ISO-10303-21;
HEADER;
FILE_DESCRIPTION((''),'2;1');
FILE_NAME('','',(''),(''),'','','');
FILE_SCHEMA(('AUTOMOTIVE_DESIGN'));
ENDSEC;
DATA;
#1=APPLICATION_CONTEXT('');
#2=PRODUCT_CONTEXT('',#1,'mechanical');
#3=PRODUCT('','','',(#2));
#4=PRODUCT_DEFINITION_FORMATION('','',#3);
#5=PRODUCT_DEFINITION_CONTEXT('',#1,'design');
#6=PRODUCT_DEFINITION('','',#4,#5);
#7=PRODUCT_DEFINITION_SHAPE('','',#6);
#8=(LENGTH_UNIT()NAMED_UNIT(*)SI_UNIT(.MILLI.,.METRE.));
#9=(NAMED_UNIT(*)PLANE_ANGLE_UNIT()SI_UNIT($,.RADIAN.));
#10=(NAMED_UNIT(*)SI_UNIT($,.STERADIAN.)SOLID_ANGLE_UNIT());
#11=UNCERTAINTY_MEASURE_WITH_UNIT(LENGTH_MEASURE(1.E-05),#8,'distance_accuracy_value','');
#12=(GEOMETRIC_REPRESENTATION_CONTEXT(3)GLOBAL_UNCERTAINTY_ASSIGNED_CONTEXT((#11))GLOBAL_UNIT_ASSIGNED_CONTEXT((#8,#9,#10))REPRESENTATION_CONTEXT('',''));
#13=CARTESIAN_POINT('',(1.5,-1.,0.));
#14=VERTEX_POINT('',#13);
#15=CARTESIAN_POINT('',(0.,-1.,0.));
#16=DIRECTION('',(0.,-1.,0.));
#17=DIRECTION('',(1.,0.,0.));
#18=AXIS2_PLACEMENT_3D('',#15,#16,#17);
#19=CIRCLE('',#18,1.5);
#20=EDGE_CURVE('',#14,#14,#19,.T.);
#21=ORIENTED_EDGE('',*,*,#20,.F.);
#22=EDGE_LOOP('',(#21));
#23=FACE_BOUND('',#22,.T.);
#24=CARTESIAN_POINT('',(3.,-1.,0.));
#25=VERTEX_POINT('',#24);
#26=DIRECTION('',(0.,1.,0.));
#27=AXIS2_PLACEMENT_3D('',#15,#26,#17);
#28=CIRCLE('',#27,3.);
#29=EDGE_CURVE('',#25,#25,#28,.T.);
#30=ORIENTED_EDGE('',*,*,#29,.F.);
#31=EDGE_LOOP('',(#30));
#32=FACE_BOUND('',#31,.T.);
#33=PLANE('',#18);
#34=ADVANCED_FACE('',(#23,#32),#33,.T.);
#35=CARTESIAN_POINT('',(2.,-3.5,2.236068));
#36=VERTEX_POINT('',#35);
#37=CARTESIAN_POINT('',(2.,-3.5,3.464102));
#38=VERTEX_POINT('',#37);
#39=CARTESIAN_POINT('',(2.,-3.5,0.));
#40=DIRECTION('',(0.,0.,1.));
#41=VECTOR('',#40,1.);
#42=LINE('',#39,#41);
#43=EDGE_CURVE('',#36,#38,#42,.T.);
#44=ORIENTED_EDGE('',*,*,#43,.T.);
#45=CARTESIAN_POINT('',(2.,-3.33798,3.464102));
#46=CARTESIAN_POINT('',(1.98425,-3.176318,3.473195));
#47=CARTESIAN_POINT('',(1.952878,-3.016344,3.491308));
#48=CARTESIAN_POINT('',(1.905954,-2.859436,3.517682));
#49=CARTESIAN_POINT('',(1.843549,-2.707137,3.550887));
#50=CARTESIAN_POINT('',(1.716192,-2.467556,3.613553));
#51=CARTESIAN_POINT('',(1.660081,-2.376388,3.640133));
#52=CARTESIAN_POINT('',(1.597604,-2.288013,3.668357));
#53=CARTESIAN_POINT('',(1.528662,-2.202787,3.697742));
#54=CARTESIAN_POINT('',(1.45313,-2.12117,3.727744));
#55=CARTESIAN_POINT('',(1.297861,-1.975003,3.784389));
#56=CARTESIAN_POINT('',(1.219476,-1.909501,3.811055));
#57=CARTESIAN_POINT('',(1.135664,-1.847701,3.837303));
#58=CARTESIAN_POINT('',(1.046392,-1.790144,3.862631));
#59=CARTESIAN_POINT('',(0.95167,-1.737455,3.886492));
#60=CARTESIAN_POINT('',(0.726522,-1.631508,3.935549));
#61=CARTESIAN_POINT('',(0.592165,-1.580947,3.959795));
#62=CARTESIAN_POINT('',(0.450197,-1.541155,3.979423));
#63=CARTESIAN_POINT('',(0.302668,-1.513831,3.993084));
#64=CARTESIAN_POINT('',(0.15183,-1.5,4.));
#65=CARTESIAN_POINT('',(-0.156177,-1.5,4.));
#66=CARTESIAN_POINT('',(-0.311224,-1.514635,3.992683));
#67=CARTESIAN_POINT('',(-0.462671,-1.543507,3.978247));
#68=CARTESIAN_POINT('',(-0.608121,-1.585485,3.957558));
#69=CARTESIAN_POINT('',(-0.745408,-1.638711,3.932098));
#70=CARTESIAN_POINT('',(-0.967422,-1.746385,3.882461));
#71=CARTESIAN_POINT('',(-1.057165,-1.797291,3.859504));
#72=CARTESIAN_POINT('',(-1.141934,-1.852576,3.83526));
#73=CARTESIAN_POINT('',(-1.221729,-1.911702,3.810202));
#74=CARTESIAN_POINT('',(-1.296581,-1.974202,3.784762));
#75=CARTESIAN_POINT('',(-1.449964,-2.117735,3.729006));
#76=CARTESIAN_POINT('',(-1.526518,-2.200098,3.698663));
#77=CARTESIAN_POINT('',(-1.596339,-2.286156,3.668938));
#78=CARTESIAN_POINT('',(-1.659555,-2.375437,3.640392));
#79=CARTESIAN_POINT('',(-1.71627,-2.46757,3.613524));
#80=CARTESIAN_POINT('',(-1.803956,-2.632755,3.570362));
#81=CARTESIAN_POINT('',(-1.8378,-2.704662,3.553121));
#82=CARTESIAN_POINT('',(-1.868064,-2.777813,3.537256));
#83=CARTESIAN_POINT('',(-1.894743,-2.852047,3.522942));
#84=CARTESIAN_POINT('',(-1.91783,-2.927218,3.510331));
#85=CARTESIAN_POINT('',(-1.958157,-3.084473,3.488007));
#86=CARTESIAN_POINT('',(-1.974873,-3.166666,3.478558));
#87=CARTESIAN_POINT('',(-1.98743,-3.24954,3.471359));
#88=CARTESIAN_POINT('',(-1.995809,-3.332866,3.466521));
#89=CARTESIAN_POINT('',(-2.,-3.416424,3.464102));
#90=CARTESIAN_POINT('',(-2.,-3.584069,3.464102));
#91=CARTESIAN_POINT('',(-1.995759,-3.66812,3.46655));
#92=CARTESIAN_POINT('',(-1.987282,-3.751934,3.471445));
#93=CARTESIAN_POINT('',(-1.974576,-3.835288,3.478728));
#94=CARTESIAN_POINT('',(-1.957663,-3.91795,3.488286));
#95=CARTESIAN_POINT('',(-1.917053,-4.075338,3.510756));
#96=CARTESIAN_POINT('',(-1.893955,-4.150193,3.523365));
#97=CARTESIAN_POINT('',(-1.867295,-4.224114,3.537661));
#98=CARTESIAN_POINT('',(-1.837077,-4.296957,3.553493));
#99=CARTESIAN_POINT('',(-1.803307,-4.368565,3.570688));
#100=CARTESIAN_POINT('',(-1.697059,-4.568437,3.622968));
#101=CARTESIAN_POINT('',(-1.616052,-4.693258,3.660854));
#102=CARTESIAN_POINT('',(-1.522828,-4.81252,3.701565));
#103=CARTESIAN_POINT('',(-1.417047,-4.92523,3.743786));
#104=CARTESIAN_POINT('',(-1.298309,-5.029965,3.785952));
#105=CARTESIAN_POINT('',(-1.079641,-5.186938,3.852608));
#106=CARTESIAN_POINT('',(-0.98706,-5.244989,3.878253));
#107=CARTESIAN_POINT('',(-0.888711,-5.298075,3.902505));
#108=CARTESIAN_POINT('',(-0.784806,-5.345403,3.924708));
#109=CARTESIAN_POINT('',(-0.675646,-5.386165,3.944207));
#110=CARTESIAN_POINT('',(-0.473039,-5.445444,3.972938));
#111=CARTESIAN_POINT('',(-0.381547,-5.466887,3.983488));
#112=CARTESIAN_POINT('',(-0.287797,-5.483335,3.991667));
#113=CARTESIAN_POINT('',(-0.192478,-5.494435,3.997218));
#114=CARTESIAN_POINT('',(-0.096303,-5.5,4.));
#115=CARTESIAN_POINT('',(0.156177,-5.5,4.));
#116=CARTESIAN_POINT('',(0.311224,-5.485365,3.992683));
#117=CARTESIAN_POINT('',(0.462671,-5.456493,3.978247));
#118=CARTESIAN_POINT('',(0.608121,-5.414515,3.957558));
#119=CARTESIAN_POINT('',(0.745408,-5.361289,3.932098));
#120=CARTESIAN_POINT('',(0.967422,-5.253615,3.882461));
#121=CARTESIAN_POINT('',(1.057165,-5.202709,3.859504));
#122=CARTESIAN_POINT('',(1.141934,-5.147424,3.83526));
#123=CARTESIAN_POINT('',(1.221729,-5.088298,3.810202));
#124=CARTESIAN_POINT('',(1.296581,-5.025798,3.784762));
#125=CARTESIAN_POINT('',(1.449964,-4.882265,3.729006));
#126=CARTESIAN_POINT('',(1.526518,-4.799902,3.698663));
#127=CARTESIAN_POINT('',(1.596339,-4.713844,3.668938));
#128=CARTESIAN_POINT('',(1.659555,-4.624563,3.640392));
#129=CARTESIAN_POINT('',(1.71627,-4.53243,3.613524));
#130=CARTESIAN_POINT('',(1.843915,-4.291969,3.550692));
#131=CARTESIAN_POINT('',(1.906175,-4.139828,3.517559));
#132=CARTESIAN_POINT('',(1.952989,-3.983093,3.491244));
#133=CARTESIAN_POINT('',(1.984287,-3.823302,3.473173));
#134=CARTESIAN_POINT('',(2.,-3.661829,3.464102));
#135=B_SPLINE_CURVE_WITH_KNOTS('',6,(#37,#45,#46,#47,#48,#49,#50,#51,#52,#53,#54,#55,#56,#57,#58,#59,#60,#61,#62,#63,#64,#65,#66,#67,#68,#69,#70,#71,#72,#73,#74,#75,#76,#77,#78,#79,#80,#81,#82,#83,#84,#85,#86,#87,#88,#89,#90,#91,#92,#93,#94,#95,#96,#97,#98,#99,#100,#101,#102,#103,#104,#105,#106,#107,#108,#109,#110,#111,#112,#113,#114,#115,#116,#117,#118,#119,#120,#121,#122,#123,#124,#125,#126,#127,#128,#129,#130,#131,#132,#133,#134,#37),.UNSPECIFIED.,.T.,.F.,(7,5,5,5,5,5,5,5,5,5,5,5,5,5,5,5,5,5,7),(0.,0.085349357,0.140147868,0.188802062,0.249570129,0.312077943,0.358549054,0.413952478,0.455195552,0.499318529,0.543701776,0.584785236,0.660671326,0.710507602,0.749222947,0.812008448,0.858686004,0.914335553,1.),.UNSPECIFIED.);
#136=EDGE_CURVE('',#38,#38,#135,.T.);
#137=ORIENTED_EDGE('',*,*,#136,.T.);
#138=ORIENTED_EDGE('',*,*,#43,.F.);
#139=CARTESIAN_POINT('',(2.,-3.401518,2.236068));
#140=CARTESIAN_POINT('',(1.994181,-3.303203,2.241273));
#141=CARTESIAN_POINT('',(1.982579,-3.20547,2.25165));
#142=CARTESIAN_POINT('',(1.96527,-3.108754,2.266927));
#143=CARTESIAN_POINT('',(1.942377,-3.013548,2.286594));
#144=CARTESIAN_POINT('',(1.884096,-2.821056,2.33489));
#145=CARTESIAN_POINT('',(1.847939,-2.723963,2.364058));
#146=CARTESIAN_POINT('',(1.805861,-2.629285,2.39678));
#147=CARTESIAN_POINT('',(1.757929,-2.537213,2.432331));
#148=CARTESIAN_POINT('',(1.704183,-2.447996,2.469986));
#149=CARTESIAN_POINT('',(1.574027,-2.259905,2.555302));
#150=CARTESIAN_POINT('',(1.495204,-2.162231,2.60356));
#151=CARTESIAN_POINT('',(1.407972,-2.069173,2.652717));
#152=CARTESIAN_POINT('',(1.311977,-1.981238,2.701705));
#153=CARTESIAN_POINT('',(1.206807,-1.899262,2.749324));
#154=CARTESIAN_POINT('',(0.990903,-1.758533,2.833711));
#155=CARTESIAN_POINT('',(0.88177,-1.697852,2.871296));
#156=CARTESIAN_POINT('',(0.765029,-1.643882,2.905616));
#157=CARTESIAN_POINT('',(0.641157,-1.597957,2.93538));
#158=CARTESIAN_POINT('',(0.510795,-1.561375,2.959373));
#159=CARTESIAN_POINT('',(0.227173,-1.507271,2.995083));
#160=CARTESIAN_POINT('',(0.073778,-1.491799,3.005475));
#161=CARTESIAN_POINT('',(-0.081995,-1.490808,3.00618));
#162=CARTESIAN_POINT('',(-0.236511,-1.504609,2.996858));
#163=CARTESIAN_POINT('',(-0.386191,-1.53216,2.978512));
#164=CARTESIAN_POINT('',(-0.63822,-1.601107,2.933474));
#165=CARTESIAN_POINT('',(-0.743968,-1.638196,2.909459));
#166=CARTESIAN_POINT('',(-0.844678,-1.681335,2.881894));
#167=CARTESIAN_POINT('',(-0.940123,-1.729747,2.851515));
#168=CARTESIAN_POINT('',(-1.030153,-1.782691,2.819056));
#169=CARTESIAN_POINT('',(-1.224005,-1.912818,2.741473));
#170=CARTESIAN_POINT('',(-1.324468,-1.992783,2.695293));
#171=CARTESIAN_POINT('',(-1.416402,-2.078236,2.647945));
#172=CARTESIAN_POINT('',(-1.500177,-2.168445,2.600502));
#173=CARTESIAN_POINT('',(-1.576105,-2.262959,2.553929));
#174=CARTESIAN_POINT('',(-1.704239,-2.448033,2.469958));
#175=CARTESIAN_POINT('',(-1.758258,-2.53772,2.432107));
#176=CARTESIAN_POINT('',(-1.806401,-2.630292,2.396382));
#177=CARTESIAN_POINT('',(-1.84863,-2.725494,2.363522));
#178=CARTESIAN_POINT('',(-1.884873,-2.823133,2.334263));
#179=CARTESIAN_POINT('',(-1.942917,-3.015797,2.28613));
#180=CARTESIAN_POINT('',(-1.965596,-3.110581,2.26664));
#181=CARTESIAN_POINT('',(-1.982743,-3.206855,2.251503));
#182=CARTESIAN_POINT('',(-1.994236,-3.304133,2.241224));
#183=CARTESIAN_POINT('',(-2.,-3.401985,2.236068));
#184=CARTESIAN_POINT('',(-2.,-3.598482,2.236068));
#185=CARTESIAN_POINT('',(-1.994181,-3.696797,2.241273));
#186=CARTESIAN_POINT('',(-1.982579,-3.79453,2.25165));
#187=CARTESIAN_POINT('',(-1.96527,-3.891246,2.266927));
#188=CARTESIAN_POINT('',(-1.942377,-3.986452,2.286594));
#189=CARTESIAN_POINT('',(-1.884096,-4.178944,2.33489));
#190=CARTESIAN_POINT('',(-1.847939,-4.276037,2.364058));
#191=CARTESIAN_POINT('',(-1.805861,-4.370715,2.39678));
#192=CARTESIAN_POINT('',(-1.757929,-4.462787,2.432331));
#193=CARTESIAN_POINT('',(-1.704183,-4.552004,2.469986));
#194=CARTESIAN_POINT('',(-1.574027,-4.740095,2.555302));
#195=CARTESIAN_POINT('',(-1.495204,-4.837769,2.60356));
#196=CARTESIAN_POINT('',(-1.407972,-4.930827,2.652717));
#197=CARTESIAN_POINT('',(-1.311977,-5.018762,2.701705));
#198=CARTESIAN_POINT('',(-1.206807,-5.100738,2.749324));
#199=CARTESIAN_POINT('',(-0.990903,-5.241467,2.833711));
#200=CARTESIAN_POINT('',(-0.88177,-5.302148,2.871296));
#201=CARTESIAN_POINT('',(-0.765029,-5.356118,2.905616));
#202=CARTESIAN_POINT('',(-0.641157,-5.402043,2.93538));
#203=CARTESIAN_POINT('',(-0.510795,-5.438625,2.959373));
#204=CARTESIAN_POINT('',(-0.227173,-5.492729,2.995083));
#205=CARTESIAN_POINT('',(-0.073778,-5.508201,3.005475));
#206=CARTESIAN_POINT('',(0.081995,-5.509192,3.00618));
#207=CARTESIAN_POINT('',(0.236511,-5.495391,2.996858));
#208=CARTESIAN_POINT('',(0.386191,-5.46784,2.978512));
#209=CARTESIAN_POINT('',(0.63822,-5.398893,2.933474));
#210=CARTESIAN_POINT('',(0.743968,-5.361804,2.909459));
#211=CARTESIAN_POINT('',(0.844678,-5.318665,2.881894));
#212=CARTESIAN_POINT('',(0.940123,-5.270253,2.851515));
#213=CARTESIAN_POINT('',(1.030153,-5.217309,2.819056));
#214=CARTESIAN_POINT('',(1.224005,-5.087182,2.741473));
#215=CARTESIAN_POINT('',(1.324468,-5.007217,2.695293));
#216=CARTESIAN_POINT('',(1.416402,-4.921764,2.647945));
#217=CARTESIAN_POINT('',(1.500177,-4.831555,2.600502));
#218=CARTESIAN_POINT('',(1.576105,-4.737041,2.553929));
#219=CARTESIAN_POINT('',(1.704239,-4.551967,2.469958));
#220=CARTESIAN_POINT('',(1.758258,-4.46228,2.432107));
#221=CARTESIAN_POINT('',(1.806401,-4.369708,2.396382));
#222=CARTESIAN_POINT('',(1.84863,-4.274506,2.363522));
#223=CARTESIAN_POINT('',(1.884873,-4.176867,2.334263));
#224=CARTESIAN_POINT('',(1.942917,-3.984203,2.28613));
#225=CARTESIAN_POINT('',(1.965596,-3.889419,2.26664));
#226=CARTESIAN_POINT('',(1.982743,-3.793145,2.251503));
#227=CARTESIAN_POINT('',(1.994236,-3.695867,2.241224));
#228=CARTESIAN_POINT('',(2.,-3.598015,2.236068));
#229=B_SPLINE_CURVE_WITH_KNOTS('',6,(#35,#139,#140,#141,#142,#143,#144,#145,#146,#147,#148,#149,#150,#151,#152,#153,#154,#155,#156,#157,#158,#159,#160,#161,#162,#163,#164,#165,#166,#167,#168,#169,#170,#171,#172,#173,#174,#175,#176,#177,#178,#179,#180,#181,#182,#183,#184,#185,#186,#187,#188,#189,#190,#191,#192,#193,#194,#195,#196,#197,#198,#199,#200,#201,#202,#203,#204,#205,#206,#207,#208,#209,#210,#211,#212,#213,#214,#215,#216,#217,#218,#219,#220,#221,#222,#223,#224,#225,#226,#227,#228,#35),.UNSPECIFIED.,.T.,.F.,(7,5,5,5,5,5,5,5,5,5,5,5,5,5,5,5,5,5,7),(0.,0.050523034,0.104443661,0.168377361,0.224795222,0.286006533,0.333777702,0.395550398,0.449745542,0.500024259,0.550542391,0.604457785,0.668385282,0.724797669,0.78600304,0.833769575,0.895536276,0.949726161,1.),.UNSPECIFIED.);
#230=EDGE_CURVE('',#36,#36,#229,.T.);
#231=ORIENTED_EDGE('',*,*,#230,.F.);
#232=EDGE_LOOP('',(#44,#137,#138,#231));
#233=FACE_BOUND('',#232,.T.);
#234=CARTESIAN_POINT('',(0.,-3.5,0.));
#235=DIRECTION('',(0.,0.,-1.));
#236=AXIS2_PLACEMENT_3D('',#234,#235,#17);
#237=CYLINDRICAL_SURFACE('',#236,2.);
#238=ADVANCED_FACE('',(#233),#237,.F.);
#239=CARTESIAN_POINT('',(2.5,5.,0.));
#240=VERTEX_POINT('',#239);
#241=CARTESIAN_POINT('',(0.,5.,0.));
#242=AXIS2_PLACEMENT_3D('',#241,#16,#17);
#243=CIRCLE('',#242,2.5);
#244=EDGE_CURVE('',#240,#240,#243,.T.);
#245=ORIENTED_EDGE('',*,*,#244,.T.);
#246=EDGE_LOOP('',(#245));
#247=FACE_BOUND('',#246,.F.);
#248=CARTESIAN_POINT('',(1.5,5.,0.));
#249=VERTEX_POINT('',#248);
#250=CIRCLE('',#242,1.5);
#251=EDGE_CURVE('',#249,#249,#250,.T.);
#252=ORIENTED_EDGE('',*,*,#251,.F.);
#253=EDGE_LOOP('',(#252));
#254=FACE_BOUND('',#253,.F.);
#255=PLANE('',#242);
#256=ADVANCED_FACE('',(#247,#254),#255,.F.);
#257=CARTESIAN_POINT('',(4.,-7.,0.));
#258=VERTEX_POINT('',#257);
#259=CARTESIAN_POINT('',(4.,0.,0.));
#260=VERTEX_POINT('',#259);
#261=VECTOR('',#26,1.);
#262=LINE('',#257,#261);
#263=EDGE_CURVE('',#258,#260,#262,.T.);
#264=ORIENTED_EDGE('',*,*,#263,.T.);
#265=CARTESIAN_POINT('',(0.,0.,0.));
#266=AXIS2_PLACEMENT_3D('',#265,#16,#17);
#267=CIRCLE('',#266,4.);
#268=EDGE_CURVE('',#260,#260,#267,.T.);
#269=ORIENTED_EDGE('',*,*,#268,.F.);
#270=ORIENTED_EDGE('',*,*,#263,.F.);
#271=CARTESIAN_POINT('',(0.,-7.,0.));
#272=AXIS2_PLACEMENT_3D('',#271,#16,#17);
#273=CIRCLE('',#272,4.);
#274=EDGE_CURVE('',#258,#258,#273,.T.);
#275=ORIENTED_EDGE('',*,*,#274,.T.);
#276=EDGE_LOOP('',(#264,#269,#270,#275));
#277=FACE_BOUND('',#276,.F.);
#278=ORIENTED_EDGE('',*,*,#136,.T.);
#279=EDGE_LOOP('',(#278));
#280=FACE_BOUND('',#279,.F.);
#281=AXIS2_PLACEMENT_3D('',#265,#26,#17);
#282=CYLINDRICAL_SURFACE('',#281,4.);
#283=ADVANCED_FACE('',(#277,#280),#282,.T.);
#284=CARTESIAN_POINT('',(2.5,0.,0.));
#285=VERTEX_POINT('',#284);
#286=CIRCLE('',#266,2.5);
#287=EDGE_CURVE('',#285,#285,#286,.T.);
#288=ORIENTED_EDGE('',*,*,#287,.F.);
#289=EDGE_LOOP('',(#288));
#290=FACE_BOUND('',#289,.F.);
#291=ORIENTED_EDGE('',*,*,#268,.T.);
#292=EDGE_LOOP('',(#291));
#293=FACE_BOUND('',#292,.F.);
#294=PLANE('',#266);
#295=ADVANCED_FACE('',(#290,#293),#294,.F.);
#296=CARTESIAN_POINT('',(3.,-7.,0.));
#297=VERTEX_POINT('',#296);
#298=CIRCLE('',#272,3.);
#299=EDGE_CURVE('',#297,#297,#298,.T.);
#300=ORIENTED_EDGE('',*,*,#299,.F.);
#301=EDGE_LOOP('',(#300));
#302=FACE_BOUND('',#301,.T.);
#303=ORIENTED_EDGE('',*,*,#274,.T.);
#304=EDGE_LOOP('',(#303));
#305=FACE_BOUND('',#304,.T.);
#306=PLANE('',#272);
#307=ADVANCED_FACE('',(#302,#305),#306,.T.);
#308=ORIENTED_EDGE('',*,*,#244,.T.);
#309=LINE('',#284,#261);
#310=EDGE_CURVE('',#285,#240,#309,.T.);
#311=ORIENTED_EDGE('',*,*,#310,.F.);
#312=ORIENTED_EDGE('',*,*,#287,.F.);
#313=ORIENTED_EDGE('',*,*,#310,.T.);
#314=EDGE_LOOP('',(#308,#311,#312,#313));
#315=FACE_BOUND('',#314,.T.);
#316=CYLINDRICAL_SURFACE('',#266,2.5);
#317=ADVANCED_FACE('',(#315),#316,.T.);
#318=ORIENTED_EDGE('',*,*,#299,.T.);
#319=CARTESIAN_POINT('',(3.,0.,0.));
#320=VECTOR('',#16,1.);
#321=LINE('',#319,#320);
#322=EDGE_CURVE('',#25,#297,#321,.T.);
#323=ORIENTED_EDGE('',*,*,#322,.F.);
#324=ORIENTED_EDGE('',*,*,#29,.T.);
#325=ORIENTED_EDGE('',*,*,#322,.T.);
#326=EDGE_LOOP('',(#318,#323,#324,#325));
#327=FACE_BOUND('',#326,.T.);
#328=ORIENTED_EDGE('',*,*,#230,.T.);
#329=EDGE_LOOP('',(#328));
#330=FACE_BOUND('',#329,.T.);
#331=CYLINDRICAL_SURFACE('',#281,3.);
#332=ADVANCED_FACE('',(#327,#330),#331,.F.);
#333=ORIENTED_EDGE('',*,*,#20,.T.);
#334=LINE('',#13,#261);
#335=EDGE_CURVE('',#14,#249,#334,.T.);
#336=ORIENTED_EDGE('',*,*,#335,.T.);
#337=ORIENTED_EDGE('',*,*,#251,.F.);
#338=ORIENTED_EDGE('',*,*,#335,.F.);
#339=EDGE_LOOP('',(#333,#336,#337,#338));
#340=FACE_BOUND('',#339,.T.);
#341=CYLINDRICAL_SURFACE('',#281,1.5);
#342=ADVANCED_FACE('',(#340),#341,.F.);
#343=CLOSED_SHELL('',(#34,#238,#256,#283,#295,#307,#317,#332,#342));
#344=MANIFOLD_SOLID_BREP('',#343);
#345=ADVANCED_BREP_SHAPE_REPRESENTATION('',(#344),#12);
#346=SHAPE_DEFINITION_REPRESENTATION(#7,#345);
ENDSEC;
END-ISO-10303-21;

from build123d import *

# Parameters (mm, degrees)
F0_R     = 2.5
F0_R_2   = 1.5
F1_DEPTH = 5
F0_R_3   = 4
F0_R_4   = 3
F2_DEPTH = 1
F3_DEPTH = 7
F4_R     = 2
F5_DEPTH = 25


with BuildPart() as f1:
    # F0 (on Front) → F1 (new body)
    with BuildSketch(Plane.XZ):
        Circle(F0_R)
        Circle(F0_R_2, mode=Mode.SUBTRACT)
    extrude(amount=-F1_DEPTH)

    # F0 (on Front) → F2 (join)
    with BuildSketch(Plane.XZ):
        Circle(F0_R_3)
        Circle(F0_R_4, mode=Mode.SUBTRACT)
        Circle(F0_R_4)
        Circle(F0_R, mode=Mode.SUBTRACT)
        Circle(F0_R)
        Circle(F0_R_2, mode=Mode.SUBTRACT)
    extrude(amount=F2_DEPTH)

    # F0 (on Front) → F3 (join)
    with BuildSketch(Plane.XZ):
        Circle(F0_R_3)
        Circle(F0_R_4, mode=Mode.SUBTRACT)
    extrude(amount=F3_DEPTH)

    # F4 (on Top) → F5 (cut)
    with BuildSketch(Plane.XY):
        with Locations((0, -3.5)):
            Circle(F4_R)
    extrude(amount=F5_DEPTH, mode=Mode.SUBTRACT)


solid = f1.part
